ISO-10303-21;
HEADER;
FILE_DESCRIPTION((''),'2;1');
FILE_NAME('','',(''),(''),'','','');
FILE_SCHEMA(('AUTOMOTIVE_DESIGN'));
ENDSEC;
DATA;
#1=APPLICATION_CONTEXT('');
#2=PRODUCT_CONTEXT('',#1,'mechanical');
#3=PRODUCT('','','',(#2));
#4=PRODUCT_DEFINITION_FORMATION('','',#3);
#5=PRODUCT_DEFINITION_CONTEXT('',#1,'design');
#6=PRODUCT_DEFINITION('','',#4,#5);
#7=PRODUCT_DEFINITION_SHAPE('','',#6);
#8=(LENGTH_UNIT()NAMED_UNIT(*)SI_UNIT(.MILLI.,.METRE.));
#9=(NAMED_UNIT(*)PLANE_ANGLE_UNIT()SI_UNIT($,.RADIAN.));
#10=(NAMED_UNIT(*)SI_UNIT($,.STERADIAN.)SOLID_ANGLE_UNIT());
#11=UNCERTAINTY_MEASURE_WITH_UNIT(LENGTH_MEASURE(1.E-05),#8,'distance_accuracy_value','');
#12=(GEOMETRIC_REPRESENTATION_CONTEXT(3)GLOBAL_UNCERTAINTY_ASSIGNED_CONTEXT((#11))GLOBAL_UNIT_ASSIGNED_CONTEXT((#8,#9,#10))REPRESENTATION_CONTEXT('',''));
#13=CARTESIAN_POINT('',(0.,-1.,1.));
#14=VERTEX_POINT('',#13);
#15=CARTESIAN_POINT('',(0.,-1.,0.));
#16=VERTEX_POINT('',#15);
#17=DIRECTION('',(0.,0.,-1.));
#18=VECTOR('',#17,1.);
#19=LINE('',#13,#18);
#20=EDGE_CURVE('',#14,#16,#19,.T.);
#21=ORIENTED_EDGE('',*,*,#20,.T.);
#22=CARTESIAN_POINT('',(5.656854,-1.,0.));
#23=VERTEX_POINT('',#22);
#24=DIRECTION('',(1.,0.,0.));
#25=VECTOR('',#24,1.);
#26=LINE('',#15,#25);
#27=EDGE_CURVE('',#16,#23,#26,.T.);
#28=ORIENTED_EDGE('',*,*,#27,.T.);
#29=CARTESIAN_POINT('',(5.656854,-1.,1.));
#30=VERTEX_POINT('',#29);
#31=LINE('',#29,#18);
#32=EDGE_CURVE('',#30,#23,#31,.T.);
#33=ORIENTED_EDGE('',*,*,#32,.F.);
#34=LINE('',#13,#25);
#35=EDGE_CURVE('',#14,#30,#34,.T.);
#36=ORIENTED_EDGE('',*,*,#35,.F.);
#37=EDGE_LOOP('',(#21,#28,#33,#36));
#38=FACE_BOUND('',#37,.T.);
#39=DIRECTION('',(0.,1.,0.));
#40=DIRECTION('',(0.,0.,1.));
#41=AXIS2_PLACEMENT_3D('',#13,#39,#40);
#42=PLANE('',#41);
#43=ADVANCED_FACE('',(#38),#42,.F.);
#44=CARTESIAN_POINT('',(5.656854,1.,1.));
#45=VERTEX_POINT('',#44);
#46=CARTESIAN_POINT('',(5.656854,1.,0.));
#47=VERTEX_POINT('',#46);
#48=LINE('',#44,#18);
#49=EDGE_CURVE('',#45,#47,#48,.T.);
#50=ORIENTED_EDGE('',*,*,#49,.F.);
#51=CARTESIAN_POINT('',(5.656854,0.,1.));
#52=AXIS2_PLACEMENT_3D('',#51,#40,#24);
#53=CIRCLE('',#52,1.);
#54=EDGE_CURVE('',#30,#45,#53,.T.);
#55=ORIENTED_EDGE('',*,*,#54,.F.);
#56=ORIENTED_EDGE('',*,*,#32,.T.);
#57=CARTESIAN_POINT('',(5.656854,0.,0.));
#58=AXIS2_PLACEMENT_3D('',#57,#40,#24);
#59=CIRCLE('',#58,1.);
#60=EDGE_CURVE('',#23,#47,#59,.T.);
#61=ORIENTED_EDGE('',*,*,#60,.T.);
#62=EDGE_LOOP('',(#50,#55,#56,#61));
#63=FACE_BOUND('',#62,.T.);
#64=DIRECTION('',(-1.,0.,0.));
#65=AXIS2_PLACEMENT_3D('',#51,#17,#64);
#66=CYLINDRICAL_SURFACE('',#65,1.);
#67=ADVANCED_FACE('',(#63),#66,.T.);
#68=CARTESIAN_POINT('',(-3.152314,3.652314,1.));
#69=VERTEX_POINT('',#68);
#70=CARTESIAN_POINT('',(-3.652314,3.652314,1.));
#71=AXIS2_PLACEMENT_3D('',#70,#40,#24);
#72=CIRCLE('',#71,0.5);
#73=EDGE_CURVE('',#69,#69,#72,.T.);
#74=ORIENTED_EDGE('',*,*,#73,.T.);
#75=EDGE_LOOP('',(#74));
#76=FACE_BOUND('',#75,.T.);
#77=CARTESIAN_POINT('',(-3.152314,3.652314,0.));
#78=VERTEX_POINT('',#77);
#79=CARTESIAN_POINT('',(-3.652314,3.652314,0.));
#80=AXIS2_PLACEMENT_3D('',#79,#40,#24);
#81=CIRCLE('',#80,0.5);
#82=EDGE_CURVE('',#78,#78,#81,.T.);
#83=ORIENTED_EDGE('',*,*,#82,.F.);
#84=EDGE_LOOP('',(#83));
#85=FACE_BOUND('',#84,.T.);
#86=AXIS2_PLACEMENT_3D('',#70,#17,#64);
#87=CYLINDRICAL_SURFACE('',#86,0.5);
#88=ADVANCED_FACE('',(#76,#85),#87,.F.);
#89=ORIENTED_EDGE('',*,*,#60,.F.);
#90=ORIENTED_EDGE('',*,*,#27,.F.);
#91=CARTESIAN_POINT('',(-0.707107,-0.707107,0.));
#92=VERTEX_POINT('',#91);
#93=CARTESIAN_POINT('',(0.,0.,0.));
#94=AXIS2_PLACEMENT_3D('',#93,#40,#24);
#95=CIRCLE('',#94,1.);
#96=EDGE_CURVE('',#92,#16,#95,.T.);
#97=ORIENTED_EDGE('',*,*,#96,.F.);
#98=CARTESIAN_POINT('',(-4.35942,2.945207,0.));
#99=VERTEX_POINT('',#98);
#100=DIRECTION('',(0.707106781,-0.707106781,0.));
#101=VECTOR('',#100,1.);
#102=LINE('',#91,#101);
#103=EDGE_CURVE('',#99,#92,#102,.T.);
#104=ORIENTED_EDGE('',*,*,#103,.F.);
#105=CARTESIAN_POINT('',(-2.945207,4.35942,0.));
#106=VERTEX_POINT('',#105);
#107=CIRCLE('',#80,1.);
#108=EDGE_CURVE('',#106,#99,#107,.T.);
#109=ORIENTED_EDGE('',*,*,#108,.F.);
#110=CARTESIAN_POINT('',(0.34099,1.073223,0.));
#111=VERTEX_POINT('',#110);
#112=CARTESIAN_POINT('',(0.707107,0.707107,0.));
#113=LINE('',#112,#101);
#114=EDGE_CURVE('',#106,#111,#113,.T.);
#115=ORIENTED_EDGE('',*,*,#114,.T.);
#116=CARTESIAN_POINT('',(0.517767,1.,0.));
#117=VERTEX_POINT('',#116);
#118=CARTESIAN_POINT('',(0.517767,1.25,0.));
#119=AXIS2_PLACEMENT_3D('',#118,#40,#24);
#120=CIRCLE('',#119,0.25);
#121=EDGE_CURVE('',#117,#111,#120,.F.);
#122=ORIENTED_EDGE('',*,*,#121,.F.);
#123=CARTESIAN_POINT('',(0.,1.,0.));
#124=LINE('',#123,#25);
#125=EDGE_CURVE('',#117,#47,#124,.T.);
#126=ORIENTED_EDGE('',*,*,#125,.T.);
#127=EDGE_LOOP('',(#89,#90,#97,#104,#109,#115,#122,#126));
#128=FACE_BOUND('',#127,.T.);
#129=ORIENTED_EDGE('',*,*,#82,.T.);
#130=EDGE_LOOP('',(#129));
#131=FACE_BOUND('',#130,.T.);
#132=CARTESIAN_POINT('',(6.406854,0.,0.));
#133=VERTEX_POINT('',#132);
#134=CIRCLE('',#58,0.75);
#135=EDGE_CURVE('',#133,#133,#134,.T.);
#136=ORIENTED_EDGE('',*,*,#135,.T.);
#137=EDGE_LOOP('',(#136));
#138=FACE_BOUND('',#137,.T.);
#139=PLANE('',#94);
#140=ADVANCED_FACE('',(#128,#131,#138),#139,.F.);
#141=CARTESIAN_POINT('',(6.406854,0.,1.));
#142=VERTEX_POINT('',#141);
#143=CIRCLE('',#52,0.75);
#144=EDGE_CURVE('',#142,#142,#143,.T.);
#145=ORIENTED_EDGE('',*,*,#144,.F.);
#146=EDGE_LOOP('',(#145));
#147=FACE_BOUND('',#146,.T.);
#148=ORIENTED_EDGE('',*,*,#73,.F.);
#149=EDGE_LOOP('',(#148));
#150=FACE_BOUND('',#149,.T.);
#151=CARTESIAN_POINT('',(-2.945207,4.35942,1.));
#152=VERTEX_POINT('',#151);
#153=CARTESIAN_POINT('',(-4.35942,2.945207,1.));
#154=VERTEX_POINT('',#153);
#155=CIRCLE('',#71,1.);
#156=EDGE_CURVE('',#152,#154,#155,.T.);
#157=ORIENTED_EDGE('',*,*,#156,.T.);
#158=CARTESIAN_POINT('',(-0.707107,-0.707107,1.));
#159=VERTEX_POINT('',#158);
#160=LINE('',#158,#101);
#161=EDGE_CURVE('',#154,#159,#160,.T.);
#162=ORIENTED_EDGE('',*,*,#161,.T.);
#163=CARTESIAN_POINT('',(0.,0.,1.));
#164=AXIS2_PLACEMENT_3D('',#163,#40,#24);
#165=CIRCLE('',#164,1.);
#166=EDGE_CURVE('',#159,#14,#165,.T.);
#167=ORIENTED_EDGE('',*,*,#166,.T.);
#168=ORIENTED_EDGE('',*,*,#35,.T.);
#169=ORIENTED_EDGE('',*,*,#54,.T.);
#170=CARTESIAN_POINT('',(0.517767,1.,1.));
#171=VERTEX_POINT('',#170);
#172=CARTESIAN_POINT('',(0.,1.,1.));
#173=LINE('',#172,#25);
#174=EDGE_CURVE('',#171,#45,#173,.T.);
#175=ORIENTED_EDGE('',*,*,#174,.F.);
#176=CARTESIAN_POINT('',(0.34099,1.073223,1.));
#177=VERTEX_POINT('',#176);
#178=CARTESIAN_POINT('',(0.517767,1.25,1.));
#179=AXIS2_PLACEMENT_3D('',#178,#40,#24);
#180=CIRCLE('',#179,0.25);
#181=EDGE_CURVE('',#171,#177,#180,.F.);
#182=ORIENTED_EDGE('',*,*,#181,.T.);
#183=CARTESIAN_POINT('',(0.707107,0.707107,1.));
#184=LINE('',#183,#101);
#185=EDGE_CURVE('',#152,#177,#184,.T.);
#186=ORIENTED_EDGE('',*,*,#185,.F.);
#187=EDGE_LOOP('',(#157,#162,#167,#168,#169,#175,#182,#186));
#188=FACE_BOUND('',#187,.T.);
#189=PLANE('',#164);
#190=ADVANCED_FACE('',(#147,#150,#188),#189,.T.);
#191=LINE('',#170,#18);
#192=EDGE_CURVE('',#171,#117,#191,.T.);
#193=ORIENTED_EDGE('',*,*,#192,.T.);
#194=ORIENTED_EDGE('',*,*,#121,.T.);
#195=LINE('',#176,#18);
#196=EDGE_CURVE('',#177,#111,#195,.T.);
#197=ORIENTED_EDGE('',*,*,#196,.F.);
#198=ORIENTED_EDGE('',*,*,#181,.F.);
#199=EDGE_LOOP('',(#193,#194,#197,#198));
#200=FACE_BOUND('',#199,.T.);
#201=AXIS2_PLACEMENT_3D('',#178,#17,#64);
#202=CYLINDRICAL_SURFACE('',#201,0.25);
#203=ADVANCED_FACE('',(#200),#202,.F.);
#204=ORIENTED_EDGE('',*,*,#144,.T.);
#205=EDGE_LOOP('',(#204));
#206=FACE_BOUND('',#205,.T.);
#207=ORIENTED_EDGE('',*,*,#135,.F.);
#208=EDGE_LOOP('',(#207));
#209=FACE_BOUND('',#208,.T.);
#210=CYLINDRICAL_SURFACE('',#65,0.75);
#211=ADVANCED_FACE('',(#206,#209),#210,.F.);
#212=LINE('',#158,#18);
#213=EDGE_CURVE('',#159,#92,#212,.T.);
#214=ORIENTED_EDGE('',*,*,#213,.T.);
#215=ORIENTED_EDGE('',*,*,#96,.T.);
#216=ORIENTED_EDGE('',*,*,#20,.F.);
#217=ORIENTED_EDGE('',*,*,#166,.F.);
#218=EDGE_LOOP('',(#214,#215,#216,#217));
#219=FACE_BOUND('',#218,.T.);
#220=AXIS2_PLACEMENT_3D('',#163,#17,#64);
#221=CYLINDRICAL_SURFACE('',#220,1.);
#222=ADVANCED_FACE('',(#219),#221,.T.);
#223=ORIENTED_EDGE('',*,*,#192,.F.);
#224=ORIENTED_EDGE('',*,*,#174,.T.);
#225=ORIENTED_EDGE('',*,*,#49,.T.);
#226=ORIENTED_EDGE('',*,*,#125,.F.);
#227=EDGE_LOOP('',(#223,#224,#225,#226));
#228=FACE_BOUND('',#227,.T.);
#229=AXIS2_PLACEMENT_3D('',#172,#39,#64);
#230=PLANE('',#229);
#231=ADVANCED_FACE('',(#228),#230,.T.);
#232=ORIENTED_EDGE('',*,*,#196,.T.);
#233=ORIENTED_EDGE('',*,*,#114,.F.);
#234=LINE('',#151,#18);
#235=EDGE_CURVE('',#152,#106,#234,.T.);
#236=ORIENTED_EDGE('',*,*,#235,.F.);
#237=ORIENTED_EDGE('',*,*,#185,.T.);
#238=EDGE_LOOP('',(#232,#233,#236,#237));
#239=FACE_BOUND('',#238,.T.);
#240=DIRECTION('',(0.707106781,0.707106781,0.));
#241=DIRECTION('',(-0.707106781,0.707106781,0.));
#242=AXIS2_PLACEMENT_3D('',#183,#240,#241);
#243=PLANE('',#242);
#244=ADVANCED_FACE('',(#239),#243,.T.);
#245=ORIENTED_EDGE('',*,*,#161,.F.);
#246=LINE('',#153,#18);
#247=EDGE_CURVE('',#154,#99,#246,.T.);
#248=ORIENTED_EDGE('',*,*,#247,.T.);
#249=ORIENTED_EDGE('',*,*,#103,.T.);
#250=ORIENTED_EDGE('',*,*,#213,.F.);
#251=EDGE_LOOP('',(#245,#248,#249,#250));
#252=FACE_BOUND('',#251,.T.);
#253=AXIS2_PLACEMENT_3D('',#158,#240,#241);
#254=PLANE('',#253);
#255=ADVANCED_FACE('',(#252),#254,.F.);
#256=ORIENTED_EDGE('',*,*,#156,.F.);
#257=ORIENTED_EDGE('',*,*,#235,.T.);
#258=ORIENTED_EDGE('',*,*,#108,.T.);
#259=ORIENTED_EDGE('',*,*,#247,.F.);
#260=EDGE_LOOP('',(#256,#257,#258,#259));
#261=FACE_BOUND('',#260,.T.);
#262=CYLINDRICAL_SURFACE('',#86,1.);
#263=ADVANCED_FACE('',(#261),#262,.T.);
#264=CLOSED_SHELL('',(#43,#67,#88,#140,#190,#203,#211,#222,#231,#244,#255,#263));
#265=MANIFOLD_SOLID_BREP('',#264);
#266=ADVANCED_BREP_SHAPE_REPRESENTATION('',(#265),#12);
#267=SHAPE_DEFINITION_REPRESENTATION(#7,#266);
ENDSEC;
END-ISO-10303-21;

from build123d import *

# Parameters (mm, degrees)
SKETCH1_R           = 0.75
SKETCH1_R_2         = 0.5
BOSS_EXTRUDE1_DEPTH = 1


with BuildPart() as part:
    # Sketch1 → Boss-Extrude1 (new body)
    with BuildSketch(Plane.XY):
        with BuildLine():
            Line((0.517766953, 1), (5.65685425, 1))
            ThreePointArc((5.65685425, 1), (6.65685425, 0), (5.65685425, -1))
            Line((5.65685425, -1), (0, -1))
            ThreePointArc((0, -1), (-0.382683432, -0.923879533), (-0.707106781, -0.707106781))
            Line((-0.707106781, -0.707106781), (-4.359420354, 2.945206792))
            ThreePointArc((-4.359420354, 2.945206792), (-4.359420354, 4.359420354), (-2.945206792, 4.359420354))
            Line((-2.945206792, 4.359420354), (0.340990258, 1.073223305))
            ThreePointArc((0.340990258, 1.073223305), (0.422096095, 1.019030117), (0.517766953, 1))
        make_face()
        with Locations((5.65685425, 0)):
            Circle(SKETCH1_R, mode=Mode.SUBTRACT)
        with Locations((-3.652313573, 3.652313573)):
            Circle(SKETCH1_R_2, mode=Mode.SUBTRACT)
    extrude(amount=BOSS_EXTRUDE1_DEPTH)


solid = part.part
